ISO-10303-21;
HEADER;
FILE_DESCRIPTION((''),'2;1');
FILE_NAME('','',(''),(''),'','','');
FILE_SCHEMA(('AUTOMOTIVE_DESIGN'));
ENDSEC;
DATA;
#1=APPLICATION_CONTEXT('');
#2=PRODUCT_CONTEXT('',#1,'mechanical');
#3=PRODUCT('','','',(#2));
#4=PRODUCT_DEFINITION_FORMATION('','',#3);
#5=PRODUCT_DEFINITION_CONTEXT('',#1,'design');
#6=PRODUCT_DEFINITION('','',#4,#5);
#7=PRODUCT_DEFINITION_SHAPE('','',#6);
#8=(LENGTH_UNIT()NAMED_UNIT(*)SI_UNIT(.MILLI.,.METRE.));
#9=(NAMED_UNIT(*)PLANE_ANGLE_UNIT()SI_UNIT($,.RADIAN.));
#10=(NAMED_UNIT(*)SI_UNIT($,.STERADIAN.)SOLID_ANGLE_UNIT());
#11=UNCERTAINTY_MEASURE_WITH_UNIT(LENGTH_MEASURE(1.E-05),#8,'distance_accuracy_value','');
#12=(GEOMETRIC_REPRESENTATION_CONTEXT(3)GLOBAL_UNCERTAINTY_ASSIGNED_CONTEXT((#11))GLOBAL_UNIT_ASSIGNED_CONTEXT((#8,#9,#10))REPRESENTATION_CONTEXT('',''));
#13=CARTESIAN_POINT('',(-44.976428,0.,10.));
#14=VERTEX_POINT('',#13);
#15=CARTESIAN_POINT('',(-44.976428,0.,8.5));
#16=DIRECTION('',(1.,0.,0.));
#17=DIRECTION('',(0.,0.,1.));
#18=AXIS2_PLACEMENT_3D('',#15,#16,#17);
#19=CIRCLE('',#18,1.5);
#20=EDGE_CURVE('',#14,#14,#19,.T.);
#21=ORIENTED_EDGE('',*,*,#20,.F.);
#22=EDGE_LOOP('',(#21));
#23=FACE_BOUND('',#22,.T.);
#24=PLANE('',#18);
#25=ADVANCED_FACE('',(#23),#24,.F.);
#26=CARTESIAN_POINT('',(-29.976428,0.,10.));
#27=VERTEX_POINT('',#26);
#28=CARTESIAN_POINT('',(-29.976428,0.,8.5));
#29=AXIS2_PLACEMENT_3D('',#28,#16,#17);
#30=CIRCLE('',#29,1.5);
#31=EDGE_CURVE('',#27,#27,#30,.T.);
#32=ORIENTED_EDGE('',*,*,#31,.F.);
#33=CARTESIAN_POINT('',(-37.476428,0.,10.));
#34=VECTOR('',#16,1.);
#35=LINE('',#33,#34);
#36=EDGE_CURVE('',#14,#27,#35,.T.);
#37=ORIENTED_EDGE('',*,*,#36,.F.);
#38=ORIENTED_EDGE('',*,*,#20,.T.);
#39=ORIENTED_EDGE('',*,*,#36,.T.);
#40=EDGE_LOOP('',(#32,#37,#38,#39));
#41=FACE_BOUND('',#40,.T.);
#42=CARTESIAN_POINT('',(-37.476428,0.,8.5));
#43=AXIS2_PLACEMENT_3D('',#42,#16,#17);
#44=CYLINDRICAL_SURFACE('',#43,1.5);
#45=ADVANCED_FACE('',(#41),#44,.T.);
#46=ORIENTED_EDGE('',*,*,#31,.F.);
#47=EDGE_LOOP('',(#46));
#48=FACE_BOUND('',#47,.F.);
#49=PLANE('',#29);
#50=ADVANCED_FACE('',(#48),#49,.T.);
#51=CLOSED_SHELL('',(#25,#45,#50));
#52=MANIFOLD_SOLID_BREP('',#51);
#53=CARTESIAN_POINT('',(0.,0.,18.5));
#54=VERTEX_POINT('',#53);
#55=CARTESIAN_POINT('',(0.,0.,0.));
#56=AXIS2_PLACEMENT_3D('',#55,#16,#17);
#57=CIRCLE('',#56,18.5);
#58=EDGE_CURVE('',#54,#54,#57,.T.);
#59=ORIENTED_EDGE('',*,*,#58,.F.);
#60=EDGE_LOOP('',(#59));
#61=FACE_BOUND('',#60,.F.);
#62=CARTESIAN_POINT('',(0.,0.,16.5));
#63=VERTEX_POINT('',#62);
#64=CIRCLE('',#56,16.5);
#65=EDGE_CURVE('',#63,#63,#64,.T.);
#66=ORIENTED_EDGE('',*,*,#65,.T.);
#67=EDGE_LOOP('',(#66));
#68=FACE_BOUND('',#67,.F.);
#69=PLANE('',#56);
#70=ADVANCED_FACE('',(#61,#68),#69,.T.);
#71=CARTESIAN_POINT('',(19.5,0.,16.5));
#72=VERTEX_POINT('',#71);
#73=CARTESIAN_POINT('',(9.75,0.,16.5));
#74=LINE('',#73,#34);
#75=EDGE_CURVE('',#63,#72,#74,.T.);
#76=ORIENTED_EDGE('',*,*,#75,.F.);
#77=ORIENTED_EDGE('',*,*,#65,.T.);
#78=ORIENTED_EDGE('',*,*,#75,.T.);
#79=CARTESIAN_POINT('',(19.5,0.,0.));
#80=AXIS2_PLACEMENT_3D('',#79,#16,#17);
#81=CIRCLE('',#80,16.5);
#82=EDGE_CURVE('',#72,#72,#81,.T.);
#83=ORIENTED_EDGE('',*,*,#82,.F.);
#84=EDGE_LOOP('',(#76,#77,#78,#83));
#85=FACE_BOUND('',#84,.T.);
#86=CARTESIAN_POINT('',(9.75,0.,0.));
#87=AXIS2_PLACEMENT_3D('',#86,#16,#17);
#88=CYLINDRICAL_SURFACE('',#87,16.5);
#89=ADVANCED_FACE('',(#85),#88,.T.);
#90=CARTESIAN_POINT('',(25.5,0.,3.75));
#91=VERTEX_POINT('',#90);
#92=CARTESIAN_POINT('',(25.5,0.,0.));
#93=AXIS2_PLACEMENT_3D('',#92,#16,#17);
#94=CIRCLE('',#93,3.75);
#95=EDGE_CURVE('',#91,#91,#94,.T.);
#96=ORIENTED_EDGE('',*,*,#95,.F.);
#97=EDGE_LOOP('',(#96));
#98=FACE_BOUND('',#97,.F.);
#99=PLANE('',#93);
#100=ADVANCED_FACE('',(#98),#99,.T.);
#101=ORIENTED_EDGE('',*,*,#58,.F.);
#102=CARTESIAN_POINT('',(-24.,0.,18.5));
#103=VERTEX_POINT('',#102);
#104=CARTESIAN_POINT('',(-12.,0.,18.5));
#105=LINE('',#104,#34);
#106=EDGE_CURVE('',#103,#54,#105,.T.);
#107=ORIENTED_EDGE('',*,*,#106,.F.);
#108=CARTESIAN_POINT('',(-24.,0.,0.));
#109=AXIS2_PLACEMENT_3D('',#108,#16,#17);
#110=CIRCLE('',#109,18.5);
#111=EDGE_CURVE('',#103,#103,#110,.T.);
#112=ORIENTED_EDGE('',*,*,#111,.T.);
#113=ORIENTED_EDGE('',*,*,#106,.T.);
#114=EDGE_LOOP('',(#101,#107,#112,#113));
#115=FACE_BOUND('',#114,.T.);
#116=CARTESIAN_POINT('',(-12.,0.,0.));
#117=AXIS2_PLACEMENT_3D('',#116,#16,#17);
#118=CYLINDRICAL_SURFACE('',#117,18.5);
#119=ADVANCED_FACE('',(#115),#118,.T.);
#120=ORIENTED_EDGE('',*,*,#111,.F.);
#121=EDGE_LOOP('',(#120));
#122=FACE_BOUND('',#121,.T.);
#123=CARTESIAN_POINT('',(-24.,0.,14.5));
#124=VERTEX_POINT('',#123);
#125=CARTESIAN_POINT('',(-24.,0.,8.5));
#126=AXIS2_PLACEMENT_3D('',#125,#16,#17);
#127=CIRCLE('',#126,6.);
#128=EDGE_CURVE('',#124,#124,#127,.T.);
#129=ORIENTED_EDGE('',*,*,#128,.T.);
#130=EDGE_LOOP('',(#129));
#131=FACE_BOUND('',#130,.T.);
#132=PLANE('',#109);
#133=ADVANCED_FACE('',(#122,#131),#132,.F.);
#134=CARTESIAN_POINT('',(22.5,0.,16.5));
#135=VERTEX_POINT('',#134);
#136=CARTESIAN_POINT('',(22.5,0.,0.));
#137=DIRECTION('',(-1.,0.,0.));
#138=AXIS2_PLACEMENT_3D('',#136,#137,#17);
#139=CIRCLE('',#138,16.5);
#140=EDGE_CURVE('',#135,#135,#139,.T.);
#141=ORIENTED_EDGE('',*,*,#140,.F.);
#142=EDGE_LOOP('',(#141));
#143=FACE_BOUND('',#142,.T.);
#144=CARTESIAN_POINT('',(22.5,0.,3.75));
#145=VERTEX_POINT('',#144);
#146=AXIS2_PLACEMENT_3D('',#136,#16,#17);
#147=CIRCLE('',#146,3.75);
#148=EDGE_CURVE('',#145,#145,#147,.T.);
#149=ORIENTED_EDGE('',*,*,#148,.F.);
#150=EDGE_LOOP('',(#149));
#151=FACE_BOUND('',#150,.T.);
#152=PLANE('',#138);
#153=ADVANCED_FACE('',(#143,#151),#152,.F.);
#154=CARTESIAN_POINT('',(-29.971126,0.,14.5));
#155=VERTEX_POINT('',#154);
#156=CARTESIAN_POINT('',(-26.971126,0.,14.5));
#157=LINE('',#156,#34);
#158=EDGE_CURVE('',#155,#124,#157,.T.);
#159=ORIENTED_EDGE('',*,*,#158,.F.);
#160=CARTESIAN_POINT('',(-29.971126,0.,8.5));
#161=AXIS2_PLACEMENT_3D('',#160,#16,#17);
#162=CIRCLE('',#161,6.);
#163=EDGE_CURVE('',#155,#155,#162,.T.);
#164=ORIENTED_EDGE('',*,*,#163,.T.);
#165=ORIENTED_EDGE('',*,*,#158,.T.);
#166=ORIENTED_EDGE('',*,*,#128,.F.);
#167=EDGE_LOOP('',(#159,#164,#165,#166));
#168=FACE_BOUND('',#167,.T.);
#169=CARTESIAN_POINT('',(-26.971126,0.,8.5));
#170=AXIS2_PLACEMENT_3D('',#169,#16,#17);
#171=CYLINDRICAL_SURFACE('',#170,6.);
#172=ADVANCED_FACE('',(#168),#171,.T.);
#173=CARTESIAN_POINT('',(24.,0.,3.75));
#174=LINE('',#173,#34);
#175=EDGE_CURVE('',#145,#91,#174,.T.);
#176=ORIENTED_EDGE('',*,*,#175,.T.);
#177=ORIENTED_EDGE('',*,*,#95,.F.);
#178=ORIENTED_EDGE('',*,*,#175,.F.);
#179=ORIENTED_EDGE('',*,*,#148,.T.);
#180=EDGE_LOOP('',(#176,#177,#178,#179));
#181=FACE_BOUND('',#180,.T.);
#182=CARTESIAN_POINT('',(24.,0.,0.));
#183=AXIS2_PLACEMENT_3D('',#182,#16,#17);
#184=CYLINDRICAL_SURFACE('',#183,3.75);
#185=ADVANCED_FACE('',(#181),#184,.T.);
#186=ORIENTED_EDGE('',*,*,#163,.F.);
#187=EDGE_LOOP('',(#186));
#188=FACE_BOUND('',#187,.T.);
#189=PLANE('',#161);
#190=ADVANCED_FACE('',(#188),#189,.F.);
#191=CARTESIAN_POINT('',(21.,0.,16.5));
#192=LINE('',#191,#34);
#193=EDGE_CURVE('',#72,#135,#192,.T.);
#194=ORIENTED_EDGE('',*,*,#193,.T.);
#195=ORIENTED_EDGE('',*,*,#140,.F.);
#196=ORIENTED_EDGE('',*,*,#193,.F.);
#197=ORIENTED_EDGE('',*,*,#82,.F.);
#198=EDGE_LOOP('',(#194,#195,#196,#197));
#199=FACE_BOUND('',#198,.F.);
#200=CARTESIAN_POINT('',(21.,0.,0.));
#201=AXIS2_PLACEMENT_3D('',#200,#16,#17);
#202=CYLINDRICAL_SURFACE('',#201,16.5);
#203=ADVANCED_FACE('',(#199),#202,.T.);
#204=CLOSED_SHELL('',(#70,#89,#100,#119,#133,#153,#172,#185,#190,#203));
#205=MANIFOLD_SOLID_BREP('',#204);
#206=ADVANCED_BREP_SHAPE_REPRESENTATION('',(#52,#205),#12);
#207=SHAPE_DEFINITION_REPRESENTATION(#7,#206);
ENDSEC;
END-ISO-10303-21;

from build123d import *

# Parameters (mm, degrees)
F0_W  = 24
F0_H  = 18.5
F2_W  = 19.5
F2_H  = 16.5
F4_W  = 3
F4_H  = 16.5
F6_W  = 3
F6_H  = 3.75
F8_W  = 6
F8_H  = 6
F10_W = 15
F10_H = 1.5


with BuildPart() as f1:
    # F0 (on Front) → F1 (revolve)
    with BuildSketch(Plane.XZ):
        with Locations((-12, 9.25)):
            Rectangle(F0_W, F0_H)
    revolve(axis=Axis((-10.174999, 0, 0), (1, 0, 0)))

    # F2 (on Front) → F3 (revolve)
    with BuildSketch(Plane.XZ):
        with Locations((9.75, 8.25)):
            Rectangle(F2_W, F2_H)
    revolve(axis=Axis((4.448437, 0, 0), (1, 0, 0)))

    # F4 (on Front) → F5 (revolve)
    with BuildSketch(Plane.XZ):
        with Locations((21, 8.25)):
            Rectangle(F4_W, F4_H)
    revolve(axis=Axis((22.131725, 0, 0), (-1, 0, 0)))

    # F6 (on Front) → F7 (revolve)
    with BuildSketch(Plane.XZ):
        with Locations((24, 1.875)):
            Rectangle(F6_W, F6_H)
    revolve(axis=Axis((1.009684, 0, 0), (1, 0, 0)))

    # F8 (on Front) → F9 (revolve)
    with BuildSketch(Plane.XZ):
        with Locations((-26.971126, 11.5)):
            Rectangle(F8_W, F8_H)
    revolve(axis=Axis((-6.492025, 0, 8.5), (1, 0, 0)))


with BuildPart() as f11:
    # F10 (on Front) → F11 (revolve)
    with BuildSketch(Plane.XZ):
        with Locations((-37.476428, 9.25)):
            Rectangle(F10_W, F10_H)
    revolve(axis=Axis((-12.539559, 0, 8.5), (1, 0, 0)))


solid = Compound([f1.part, f11.part])
